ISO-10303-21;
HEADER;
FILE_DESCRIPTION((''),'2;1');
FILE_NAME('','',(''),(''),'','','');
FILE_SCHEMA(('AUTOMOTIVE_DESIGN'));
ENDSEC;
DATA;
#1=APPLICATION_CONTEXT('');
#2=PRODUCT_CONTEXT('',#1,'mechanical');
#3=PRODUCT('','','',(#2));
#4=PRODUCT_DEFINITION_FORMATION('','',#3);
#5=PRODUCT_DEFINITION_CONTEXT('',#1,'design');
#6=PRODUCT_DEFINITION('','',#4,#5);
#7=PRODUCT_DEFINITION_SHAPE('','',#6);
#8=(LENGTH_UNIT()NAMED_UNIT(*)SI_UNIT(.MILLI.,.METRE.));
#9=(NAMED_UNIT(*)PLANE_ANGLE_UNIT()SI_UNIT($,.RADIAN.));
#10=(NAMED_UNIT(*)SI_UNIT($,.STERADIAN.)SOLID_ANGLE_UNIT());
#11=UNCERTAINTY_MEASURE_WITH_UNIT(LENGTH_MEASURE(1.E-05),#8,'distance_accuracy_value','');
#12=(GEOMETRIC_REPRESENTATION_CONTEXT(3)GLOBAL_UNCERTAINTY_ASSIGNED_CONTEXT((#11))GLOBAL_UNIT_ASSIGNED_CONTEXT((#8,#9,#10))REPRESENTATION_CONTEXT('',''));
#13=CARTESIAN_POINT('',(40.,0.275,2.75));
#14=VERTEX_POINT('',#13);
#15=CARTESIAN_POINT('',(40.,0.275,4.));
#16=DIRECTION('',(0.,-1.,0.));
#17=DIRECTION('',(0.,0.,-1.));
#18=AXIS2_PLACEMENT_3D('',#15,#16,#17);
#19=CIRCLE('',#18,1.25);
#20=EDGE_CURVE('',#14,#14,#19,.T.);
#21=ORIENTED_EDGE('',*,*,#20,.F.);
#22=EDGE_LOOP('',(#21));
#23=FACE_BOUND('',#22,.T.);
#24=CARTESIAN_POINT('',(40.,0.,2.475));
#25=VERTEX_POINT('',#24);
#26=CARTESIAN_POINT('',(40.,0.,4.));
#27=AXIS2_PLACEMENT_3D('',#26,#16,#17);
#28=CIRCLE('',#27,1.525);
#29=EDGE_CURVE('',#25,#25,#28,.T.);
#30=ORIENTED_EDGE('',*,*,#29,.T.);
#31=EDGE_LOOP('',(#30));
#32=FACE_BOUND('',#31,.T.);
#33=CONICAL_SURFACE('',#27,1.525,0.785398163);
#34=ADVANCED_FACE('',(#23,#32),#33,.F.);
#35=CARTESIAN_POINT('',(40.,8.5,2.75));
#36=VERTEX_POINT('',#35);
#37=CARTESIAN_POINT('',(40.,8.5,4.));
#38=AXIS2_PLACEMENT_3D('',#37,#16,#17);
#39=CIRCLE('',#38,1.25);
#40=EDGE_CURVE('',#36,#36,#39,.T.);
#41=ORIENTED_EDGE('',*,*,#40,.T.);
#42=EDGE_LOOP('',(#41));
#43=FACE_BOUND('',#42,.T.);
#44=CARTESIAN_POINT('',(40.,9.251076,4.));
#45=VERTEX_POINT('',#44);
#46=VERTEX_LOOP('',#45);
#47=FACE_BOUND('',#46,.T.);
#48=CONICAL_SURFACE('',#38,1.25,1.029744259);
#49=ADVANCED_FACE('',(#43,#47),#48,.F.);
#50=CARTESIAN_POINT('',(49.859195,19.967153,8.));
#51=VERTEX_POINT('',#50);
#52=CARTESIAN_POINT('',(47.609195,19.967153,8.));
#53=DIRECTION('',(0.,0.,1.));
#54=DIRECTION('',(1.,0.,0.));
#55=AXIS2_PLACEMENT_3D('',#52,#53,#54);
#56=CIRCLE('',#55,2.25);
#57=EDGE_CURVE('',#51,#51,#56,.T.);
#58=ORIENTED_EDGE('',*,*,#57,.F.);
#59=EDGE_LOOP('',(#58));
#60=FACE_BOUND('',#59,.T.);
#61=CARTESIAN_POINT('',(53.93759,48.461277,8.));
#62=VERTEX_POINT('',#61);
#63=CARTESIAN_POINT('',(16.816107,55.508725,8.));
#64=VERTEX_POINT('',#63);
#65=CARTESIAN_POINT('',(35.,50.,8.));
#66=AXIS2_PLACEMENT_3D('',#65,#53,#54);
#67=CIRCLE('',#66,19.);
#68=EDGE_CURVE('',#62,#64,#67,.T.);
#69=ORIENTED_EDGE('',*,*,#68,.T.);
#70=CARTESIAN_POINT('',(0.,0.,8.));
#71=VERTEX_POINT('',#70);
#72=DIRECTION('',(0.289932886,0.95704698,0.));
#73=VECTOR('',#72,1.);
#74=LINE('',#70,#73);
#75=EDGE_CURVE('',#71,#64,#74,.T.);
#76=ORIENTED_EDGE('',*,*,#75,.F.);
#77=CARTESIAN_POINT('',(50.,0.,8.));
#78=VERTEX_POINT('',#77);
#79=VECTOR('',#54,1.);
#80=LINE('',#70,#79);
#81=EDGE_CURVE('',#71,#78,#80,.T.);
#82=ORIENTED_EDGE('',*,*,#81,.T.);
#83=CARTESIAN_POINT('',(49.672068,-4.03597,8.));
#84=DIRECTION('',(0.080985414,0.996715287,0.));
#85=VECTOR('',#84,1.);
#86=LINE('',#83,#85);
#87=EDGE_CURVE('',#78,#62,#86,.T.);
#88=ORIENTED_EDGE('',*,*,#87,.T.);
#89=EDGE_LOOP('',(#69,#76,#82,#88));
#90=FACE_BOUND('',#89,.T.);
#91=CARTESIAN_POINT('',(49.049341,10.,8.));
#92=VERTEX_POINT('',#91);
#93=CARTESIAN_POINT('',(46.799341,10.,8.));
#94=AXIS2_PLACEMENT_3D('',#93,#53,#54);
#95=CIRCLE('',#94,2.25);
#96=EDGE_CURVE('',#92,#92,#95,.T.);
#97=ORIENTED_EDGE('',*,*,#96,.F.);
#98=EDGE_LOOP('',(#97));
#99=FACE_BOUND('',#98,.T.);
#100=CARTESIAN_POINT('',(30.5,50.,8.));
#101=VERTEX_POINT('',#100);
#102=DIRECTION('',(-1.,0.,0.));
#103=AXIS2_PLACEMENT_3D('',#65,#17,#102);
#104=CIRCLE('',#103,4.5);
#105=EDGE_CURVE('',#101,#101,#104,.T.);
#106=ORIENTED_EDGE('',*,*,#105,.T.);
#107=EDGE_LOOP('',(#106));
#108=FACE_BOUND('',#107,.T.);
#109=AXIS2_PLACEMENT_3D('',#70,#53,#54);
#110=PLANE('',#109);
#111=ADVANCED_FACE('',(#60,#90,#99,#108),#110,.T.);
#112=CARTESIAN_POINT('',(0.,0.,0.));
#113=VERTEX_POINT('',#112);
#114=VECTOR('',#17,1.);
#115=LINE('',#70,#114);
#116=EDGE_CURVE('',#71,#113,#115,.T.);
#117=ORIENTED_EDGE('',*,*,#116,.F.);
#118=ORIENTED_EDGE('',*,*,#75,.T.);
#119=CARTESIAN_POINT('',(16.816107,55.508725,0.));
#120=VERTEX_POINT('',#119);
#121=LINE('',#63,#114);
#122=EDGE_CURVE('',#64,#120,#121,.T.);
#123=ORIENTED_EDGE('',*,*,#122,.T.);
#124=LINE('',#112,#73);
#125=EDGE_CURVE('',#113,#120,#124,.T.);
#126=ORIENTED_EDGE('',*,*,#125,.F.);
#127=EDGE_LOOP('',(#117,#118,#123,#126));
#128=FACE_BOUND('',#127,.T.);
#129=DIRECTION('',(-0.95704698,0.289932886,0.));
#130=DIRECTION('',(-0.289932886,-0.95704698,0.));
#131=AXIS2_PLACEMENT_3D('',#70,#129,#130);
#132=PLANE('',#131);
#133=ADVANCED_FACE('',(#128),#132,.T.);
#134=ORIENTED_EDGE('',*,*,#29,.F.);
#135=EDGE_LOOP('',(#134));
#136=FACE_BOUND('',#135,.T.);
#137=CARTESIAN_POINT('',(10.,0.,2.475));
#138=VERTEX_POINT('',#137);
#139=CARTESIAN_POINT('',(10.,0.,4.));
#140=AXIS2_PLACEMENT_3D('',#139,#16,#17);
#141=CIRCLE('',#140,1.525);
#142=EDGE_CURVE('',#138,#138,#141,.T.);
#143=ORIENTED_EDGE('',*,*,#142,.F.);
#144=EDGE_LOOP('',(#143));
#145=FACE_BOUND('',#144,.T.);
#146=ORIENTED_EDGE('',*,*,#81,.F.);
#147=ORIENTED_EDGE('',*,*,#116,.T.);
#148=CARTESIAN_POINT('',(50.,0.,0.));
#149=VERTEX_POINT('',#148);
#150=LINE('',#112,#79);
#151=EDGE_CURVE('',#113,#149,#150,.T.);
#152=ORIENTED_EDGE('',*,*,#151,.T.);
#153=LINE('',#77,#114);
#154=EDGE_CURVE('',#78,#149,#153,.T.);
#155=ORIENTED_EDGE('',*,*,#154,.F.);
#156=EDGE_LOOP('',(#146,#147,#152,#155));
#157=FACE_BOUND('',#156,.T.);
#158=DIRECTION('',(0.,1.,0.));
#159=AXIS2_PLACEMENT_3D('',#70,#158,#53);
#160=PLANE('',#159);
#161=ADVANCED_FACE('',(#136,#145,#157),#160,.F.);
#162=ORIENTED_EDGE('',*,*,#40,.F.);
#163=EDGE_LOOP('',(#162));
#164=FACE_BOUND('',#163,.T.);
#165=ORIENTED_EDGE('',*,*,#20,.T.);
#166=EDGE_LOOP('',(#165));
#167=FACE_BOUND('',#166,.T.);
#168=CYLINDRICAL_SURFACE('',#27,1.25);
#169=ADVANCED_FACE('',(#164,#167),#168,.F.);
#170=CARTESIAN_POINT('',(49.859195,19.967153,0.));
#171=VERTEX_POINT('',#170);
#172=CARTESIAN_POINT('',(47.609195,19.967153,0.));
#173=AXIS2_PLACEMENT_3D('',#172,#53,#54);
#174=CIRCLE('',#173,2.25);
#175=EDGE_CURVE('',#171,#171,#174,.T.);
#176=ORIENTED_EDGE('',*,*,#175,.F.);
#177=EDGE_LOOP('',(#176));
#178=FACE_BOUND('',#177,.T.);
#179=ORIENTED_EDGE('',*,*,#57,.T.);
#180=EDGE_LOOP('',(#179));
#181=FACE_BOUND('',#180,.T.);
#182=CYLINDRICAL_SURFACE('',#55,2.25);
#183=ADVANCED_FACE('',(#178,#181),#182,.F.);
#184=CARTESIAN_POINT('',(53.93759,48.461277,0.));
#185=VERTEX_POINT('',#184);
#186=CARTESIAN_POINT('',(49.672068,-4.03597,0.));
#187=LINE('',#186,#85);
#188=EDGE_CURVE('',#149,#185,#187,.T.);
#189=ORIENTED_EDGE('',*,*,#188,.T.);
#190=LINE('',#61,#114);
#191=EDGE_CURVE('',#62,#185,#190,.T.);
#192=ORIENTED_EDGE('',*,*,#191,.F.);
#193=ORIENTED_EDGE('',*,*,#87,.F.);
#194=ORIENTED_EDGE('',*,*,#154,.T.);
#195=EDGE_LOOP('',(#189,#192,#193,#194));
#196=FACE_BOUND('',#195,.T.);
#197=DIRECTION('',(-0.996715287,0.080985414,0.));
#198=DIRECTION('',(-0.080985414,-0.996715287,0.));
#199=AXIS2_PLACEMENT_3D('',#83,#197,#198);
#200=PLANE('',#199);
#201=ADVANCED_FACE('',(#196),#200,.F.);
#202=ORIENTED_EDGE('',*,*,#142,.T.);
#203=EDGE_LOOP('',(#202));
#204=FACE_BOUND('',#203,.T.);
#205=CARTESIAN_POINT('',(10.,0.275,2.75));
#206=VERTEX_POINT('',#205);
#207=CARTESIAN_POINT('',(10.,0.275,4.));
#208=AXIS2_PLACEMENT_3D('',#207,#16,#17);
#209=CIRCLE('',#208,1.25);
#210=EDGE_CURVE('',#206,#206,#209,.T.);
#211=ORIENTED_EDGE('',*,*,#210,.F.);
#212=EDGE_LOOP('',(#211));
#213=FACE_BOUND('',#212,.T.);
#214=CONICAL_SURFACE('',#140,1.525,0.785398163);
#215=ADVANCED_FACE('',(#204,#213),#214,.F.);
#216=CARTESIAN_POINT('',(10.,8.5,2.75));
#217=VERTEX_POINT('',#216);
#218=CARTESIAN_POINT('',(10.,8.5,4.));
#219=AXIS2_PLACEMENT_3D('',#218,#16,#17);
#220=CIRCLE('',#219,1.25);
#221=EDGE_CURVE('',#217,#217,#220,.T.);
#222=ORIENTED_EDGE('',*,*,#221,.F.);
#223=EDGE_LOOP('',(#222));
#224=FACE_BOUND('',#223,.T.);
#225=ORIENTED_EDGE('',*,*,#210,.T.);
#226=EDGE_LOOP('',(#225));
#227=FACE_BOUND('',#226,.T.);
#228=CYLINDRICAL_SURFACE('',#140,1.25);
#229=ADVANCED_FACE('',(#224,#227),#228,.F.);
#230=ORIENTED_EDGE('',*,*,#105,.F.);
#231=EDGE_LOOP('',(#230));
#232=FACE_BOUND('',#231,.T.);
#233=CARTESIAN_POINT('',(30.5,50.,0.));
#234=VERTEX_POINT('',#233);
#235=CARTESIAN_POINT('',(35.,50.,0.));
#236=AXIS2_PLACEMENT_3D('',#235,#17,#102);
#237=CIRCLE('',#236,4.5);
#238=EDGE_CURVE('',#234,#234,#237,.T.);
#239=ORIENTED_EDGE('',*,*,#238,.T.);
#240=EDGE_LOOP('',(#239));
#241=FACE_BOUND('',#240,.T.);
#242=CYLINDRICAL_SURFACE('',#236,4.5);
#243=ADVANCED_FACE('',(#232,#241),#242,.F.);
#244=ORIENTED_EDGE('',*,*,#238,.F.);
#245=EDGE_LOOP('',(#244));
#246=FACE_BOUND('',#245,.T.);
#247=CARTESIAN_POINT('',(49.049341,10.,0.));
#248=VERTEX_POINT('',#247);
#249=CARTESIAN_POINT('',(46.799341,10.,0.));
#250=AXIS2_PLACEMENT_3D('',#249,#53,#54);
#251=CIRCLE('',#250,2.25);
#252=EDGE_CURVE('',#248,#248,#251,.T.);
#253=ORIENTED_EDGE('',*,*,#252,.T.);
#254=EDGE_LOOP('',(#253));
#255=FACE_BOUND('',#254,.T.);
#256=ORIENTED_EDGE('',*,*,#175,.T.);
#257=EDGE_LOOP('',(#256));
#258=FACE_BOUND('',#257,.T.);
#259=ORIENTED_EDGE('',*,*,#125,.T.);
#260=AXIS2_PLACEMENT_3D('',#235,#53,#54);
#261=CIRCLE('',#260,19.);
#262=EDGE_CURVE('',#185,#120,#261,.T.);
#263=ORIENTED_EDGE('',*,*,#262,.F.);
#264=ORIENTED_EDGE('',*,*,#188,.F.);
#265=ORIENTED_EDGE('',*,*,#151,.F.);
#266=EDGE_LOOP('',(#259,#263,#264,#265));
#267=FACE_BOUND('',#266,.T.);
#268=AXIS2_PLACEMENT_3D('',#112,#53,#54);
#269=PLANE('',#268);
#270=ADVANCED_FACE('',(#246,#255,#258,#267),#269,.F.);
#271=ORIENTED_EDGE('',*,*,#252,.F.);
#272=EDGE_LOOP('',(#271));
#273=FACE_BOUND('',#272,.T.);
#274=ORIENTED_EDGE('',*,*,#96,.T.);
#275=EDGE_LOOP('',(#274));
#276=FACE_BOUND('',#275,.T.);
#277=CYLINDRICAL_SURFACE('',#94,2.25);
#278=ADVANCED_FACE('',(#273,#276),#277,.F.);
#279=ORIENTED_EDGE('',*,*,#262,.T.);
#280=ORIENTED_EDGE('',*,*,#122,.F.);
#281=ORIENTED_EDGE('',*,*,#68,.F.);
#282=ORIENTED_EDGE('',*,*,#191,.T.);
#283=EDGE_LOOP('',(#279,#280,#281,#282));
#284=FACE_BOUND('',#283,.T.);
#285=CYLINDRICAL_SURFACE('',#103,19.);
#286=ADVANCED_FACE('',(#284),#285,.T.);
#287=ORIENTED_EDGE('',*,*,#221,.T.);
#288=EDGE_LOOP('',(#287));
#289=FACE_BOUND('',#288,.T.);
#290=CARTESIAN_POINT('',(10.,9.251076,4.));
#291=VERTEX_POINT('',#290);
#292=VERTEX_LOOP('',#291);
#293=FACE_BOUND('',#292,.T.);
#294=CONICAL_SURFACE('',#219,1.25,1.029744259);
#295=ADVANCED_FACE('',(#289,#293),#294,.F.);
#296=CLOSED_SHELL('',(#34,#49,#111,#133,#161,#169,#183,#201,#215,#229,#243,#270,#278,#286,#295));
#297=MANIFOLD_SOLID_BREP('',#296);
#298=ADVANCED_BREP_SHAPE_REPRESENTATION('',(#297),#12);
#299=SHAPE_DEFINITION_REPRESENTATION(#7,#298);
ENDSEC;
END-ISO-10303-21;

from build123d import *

# Parameters (mm, degrees)
EXTRUDE_1_DEPTH              = 8
HOLE_WIZARD_M4_1_D           = 4.5
HOLE_WIZARD_M3_1_D           = 2.5
HOLE_WIZARD_M3_1_DEPTH       = 8.5
HOLE_WIZARD_M3_1_CSINK_D     = 3.05
HOLE_WIZARD_M3_1_CSINK_ANGLE = 90
HOLE_WIZARD_M3_1_TIP         = 0.751075774
HOLE_WIZARD_M8_1_D           = 9


with BuildPart() as part:
    # 스케치1 → 보스-돌출1 (new body)
    with BuildSketch(Plane.XY):
        with BuildLine():
            Line((16.816107383, 55.508724832), (0, 0))
            Line((0, 0), (50, 0))
            Line((50, 0), (53.937590447, 48.461277134))
            ThreePointArc((53.937590447, 48.461277134), (31.456182162, 31.333416083), (16.816107383, 55.508724832))
        make_face()
        with BuildLine():
            ThreePointArc((54, 50), (37.784424561, 68.794865785), (16.816107383, 55.508724832))
            ThreePointArc((16.816107383, 55.508724832), (31.456182162, 31.333416083), (53.937590447, 48.461277134))
            ThreePointArc((53.937590447, 48.461277134), (53.9843912, 49.230006005), (54, 50))
        make_face()
    extrude(amount=EXTRUDE_1_DEPTH)

    # M4 여유 구멍1 (through all)
    with Locations(Plane.XY.offset(8)):
        with Locations((46.799340892, 10), (47.609195032, 19.967152867)):
            Hole(HOLE_WIZARD_M4_1_D / 2)

    # M3 나사 구멍1
    with Locations(Plane(origin=(0, 0, 0), x_dir=(-1, 0, 0), z_dir=(0, -1, 0))):
        with Locations((-10, -4), (-40, -4)):
            CounterSinkHole(HOLE_WIZARD_M3_1_D / 2, HOLE_WIZARD_M3_1_CSINK_D / 2, depth=HOLE_WIZARD_M3_1_DEPTH, counter_sink_angle=HOLE_WIZARD_M3_1_CSINK_ANGLE)
            with Locations((0, 0, -(HOLE_WIZARD_M3_1_DEPTH + HOLE_WIZARD_M3_1_TIP / 2))):  # 118° drill point
                Cone(0, HOLE_WIZARD_M3_1_D / 2, HOLE_WIZARD_M3_1_TIP, mode=Mode.SUBTRACT)

    # M8 여유 구멍1 (through all)
    with Locations(Plane(origin=(0, 0, 0), x_dir=(-1, 0, 0), z_dir=(0, 0, -1))):
        with Locations((-35, 50)):
            Hole(HOLE_WIZARD_M8_1_D / 2)


solid = part.part
